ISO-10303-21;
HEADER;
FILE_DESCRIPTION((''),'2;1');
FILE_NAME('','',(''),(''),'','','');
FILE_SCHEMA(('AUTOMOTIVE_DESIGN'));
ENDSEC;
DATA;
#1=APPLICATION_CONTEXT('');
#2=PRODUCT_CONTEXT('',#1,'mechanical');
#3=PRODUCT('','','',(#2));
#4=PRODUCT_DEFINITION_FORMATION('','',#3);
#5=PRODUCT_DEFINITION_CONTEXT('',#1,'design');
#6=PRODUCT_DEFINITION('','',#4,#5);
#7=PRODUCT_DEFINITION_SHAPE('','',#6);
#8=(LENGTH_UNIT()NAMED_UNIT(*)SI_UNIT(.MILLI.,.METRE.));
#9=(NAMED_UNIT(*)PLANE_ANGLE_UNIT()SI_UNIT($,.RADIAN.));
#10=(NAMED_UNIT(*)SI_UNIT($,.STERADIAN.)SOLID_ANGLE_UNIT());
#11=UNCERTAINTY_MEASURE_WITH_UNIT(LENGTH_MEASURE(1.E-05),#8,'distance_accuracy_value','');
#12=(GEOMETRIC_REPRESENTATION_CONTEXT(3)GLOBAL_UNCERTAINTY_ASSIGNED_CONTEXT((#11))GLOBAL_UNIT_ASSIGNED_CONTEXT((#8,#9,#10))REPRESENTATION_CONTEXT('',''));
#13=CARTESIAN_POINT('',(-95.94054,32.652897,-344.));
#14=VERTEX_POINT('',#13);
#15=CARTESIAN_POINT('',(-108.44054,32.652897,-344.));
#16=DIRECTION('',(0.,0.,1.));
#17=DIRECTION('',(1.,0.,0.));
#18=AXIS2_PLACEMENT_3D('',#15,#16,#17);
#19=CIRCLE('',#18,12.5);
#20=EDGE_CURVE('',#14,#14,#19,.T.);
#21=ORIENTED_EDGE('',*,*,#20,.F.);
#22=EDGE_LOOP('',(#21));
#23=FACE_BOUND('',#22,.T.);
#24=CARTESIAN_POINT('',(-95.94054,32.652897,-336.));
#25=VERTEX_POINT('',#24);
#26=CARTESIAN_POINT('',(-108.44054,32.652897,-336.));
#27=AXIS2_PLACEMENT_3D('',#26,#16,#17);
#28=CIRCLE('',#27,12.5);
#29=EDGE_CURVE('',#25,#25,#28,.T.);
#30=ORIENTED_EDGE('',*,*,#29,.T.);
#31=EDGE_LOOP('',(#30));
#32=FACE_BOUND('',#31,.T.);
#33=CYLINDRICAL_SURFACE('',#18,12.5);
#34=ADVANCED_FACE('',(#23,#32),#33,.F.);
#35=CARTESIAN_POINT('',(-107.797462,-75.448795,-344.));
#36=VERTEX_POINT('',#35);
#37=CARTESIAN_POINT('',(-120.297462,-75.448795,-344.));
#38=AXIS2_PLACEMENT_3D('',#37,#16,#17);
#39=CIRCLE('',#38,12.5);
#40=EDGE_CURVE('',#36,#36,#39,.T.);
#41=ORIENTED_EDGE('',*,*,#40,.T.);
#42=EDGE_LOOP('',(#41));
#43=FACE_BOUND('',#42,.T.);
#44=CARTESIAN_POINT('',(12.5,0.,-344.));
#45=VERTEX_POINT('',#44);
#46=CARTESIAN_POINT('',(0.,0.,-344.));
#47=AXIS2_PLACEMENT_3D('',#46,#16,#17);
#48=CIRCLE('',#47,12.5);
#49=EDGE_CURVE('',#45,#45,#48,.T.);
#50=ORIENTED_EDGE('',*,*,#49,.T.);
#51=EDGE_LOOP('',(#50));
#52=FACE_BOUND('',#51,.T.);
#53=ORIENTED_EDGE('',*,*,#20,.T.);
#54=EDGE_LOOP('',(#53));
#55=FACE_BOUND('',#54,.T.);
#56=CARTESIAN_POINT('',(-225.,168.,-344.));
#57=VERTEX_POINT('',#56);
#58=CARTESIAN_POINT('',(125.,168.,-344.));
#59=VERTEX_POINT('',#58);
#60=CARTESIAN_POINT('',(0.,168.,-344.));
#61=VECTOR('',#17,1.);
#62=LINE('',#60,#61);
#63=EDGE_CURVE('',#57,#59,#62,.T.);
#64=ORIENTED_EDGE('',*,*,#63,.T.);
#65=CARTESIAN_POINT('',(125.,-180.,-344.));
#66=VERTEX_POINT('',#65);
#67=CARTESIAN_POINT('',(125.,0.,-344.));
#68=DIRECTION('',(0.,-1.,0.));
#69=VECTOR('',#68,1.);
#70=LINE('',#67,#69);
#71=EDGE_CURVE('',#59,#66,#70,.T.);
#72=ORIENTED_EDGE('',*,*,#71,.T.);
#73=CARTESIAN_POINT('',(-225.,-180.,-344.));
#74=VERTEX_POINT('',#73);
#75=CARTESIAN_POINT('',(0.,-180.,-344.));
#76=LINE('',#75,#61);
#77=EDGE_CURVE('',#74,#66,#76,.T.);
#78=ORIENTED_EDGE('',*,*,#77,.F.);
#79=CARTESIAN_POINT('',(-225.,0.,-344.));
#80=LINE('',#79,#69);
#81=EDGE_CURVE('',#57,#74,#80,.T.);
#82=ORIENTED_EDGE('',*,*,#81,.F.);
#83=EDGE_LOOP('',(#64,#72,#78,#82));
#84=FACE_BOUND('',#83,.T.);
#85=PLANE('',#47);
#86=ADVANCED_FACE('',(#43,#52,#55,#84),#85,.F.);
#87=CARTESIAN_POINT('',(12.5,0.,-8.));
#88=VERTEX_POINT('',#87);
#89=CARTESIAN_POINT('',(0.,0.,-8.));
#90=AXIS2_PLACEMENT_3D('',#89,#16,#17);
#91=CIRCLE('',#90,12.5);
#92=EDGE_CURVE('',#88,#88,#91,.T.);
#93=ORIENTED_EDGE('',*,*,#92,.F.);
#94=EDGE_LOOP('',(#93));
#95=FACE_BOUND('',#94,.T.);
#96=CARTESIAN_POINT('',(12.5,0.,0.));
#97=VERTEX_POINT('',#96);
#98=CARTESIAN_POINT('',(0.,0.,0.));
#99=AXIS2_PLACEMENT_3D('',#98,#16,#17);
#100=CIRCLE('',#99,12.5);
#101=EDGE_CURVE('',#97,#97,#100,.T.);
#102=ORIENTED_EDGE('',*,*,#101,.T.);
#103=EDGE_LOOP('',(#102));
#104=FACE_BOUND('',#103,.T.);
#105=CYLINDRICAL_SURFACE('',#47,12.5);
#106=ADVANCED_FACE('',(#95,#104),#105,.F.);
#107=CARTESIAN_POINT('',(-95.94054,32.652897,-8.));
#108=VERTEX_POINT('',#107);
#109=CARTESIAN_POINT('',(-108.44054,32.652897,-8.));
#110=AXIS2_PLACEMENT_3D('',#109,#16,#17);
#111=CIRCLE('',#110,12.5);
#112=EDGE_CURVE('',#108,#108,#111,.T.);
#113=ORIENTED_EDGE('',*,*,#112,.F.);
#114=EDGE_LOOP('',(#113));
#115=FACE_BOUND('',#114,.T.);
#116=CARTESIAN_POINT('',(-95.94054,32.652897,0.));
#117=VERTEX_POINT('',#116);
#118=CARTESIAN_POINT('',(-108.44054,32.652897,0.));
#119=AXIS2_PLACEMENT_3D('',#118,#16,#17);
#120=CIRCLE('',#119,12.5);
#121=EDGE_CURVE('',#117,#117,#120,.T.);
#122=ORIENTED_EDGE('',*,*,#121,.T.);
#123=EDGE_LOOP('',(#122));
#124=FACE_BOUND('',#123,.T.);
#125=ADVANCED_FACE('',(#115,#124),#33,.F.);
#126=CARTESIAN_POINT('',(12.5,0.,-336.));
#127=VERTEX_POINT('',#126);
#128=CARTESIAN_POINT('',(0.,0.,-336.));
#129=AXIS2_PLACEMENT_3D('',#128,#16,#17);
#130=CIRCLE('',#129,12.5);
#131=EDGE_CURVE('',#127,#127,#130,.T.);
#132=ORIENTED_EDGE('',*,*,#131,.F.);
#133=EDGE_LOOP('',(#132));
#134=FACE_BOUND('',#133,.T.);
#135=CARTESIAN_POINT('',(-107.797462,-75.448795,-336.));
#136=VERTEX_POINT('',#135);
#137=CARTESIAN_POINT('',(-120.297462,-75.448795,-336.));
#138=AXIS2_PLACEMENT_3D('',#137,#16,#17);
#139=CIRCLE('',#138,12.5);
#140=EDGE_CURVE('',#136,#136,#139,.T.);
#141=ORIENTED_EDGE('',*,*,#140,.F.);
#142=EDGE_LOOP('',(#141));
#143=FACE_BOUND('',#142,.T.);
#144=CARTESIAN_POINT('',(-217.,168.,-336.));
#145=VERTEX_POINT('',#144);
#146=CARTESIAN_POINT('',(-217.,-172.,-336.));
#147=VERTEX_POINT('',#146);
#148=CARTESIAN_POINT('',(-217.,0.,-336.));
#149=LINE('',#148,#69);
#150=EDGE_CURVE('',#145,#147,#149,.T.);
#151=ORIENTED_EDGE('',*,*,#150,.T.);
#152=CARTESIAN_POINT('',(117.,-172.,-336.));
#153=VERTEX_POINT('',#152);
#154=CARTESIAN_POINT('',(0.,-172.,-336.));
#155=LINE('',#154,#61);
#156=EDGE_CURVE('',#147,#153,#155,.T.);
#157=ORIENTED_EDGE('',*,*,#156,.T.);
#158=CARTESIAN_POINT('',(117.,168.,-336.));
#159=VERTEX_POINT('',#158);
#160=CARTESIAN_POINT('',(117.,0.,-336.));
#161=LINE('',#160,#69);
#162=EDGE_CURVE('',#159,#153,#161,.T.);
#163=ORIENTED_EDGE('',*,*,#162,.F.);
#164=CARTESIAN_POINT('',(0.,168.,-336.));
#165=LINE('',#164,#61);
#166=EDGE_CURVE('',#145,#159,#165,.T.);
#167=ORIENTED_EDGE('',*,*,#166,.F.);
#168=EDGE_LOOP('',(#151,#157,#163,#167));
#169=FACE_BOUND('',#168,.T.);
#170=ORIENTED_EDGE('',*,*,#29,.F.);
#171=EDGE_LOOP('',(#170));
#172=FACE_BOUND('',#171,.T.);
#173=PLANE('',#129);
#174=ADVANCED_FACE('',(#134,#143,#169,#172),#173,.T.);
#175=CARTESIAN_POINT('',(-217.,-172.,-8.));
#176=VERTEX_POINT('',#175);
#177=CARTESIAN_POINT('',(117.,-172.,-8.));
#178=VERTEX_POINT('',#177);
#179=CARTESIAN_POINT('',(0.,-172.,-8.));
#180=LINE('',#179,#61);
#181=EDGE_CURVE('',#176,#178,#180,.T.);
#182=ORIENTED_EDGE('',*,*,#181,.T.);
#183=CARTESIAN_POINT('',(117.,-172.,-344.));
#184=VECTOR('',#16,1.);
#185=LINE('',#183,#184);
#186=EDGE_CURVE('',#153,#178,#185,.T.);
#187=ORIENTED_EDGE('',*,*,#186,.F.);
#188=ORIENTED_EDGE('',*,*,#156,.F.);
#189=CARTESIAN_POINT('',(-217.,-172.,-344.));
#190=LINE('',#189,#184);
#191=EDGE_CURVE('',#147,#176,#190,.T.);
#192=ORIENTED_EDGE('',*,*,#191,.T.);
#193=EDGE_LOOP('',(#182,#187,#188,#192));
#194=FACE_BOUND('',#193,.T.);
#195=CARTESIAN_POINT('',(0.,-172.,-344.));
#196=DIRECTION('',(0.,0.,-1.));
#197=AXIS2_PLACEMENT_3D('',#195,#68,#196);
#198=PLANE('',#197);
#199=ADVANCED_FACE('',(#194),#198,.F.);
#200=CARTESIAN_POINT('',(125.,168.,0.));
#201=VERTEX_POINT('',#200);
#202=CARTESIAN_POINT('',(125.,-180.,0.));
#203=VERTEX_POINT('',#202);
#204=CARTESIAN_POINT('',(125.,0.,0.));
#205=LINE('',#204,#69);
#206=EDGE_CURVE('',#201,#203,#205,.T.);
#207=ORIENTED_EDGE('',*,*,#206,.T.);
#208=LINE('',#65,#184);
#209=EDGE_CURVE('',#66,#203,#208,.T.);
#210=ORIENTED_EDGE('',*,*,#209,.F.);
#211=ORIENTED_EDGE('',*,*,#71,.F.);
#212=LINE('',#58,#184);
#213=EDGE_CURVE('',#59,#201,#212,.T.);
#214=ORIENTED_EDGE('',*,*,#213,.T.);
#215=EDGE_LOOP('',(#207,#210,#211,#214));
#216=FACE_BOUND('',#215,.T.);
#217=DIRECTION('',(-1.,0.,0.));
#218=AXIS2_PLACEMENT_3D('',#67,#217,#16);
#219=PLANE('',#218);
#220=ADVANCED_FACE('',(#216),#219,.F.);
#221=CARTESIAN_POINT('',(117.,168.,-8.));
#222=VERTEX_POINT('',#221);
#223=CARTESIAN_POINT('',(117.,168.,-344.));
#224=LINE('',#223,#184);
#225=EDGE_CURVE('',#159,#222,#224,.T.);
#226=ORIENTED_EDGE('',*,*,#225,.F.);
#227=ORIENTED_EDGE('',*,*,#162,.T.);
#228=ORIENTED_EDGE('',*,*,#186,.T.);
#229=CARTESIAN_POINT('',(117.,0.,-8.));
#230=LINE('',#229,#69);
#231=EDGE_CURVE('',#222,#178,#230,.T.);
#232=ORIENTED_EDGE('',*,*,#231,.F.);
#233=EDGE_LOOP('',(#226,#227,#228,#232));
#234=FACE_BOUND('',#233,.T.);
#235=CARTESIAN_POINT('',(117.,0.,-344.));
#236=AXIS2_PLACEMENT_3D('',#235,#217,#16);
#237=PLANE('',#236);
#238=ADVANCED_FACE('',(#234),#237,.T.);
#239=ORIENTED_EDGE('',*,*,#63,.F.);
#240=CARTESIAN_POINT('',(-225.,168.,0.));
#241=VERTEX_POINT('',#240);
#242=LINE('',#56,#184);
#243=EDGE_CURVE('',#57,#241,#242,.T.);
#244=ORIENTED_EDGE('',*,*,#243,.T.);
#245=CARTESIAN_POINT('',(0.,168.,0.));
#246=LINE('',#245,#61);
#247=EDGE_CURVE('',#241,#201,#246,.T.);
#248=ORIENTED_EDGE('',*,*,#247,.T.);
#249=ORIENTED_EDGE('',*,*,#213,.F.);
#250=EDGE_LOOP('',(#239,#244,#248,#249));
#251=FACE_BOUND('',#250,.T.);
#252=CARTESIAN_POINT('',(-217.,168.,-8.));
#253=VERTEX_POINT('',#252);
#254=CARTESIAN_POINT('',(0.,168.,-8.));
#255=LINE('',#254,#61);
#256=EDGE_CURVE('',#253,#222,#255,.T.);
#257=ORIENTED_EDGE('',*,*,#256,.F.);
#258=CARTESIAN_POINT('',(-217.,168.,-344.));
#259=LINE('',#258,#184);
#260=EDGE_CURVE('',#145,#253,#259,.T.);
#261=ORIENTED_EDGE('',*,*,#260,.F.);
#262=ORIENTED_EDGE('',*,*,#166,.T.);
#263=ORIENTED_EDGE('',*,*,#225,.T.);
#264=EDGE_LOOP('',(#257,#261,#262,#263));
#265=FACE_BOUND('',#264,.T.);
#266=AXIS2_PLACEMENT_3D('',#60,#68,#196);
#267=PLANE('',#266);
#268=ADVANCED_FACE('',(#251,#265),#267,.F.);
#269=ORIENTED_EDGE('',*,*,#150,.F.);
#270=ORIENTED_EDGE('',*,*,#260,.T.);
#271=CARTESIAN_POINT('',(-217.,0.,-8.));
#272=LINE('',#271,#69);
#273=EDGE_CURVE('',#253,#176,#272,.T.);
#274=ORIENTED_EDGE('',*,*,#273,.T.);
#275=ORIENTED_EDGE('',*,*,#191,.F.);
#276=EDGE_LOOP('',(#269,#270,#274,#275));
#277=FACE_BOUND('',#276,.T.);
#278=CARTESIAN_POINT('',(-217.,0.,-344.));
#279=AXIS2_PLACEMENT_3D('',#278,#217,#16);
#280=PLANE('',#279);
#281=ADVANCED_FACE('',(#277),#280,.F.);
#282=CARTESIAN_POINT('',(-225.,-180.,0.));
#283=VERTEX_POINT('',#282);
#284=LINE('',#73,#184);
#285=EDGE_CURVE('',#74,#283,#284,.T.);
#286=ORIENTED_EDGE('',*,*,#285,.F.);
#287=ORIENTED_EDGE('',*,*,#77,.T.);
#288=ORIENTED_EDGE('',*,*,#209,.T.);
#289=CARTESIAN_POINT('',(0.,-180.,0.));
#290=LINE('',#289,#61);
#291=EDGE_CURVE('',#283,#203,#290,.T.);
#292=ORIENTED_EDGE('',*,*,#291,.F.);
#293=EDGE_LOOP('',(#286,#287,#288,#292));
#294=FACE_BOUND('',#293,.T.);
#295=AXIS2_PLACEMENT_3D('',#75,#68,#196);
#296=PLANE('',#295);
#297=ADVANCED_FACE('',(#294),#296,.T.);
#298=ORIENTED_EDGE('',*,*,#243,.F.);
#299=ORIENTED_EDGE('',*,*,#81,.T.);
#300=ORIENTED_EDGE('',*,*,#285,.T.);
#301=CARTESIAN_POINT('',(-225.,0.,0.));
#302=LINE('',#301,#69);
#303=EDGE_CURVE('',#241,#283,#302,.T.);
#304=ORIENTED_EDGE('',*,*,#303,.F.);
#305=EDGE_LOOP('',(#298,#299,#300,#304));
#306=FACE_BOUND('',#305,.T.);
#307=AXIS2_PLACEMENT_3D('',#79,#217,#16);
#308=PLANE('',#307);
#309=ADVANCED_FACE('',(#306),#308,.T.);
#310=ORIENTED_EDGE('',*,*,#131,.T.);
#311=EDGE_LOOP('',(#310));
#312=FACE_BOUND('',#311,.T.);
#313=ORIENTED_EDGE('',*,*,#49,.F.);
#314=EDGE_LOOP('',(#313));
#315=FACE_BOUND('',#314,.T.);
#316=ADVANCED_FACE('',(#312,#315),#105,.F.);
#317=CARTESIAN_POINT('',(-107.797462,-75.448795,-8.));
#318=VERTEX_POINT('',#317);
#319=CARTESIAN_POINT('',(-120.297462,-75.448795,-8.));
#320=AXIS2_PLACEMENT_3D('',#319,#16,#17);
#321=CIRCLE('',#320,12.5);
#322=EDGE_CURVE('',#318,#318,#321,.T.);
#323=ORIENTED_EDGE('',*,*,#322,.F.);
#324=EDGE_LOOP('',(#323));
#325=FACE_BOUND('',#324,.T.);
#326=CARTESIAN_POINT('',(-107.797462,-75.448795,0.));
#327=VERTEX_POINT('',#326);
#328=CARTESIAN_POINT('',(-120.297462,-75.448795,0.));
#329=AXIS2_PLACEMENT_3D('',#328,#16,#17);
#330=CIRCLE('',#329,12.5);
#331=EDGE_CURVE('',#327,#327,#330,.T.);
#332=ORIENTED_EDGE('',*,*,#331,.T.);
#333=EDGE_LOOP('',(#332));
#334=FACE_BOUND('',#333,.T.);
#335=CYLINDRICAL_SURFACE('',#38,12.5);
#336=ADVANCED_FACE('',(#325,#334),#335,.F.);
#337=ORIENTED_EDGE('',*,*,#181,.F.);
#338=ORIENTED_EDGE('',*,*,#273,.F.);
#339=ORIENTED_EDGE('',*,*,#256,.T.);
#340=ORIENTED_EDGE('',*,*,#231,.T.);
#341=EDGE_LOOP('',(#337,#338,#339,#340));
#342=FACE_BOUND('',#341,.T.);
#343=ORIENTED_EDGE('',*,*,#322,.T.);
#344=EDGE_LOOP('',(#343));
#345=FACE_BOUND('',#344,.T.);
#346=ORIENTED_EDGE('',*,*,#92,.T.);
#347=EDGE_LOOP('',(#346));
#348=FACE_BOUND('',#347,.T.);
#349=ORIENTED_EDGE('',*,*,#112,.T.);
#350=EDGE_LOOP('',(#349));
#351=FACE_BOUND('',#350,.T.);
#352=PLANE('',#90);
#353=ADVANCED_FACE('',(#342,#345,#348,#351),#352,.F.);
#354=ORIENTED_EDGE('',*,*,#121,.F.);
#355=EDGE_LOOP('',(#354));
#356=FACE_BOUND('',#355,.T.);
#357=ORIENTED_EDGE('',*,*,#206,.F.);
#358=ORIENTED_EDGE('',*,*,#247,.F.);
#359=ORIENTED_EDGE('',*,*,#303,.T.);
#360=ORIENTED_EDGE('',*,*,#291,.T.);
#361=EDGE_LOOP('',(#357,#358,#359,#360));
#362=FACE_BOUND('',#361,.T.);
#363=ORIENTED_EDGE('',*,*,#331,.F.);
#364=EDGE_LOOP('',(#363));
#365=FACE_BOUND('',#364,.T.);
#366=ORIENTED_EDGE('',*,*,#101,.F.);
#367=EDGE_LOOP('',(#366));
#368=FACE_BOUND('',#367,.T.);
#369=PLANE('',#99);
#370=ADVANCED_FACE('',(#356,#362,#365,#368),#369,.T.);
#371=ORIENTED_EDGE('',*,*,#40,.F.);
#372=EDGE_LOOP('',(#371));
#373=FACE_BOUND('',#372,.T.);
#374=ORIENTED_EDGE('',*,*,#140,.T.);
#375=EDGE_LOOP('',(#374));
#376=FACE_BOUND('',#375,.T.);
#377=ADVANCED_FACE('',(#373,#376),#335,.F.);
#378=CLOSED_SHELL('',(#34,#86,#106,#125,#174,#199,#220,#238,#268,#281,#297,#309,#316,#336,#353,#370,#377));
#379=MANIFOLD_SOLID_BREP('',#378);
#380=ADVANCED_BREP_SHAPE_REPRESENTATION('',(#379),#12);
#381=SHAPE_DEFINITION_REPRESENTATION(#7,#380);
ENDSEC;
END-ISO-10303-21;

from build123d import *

# Parameters (mm, degrees)
IZIM1_W                     = 350
IZIM1_H                     = 348
IZIM1_R                     = 12.5
Y_KSEKLIK_EKSTR_ZYON4_DEPTH = 344
BO_ALTMA2_T                 = -8


with BuildPart() as part:
    # Çizim1 → Yükseklik-Ekstrüzyon4 (new body)
    with BuildSketch(Plane.XY):
        with Locations((-50, -6)):
            Rectangle(IZIM1_W, IZIM1_H)
        Circle(IZIM1_R, mode=Mode.SUBTRACT)
        with Locations((-108.440540321, 32.652897497)):
            Circle(IZIM1_R, mode=Mode.SUBTRACT)
        with Locations((-120.297461902, -75.448794953)):
            Circle(IZIM1_R, mode=Mode.SUBTRACT)
    extrude(amount=-Y_KSEKLIK_EKSTR_ZYON4_DEPTH)

    # İç Boşaltma2
    bo_altma2_openings = [part.faces().sort_by_distance(p)[0] for p in [
        (12.5, 0, -344),
        (-50, 168, -172),
        (-107.797461902, -75.448794953, -344),
        (-95.940540321, 32.652897497, -344),
    ]]
    offset(amount=BO_ALTMA2_T, openings=bo_altma2_openings, kind=Kind.INTERSECTION)


solid = part.part
